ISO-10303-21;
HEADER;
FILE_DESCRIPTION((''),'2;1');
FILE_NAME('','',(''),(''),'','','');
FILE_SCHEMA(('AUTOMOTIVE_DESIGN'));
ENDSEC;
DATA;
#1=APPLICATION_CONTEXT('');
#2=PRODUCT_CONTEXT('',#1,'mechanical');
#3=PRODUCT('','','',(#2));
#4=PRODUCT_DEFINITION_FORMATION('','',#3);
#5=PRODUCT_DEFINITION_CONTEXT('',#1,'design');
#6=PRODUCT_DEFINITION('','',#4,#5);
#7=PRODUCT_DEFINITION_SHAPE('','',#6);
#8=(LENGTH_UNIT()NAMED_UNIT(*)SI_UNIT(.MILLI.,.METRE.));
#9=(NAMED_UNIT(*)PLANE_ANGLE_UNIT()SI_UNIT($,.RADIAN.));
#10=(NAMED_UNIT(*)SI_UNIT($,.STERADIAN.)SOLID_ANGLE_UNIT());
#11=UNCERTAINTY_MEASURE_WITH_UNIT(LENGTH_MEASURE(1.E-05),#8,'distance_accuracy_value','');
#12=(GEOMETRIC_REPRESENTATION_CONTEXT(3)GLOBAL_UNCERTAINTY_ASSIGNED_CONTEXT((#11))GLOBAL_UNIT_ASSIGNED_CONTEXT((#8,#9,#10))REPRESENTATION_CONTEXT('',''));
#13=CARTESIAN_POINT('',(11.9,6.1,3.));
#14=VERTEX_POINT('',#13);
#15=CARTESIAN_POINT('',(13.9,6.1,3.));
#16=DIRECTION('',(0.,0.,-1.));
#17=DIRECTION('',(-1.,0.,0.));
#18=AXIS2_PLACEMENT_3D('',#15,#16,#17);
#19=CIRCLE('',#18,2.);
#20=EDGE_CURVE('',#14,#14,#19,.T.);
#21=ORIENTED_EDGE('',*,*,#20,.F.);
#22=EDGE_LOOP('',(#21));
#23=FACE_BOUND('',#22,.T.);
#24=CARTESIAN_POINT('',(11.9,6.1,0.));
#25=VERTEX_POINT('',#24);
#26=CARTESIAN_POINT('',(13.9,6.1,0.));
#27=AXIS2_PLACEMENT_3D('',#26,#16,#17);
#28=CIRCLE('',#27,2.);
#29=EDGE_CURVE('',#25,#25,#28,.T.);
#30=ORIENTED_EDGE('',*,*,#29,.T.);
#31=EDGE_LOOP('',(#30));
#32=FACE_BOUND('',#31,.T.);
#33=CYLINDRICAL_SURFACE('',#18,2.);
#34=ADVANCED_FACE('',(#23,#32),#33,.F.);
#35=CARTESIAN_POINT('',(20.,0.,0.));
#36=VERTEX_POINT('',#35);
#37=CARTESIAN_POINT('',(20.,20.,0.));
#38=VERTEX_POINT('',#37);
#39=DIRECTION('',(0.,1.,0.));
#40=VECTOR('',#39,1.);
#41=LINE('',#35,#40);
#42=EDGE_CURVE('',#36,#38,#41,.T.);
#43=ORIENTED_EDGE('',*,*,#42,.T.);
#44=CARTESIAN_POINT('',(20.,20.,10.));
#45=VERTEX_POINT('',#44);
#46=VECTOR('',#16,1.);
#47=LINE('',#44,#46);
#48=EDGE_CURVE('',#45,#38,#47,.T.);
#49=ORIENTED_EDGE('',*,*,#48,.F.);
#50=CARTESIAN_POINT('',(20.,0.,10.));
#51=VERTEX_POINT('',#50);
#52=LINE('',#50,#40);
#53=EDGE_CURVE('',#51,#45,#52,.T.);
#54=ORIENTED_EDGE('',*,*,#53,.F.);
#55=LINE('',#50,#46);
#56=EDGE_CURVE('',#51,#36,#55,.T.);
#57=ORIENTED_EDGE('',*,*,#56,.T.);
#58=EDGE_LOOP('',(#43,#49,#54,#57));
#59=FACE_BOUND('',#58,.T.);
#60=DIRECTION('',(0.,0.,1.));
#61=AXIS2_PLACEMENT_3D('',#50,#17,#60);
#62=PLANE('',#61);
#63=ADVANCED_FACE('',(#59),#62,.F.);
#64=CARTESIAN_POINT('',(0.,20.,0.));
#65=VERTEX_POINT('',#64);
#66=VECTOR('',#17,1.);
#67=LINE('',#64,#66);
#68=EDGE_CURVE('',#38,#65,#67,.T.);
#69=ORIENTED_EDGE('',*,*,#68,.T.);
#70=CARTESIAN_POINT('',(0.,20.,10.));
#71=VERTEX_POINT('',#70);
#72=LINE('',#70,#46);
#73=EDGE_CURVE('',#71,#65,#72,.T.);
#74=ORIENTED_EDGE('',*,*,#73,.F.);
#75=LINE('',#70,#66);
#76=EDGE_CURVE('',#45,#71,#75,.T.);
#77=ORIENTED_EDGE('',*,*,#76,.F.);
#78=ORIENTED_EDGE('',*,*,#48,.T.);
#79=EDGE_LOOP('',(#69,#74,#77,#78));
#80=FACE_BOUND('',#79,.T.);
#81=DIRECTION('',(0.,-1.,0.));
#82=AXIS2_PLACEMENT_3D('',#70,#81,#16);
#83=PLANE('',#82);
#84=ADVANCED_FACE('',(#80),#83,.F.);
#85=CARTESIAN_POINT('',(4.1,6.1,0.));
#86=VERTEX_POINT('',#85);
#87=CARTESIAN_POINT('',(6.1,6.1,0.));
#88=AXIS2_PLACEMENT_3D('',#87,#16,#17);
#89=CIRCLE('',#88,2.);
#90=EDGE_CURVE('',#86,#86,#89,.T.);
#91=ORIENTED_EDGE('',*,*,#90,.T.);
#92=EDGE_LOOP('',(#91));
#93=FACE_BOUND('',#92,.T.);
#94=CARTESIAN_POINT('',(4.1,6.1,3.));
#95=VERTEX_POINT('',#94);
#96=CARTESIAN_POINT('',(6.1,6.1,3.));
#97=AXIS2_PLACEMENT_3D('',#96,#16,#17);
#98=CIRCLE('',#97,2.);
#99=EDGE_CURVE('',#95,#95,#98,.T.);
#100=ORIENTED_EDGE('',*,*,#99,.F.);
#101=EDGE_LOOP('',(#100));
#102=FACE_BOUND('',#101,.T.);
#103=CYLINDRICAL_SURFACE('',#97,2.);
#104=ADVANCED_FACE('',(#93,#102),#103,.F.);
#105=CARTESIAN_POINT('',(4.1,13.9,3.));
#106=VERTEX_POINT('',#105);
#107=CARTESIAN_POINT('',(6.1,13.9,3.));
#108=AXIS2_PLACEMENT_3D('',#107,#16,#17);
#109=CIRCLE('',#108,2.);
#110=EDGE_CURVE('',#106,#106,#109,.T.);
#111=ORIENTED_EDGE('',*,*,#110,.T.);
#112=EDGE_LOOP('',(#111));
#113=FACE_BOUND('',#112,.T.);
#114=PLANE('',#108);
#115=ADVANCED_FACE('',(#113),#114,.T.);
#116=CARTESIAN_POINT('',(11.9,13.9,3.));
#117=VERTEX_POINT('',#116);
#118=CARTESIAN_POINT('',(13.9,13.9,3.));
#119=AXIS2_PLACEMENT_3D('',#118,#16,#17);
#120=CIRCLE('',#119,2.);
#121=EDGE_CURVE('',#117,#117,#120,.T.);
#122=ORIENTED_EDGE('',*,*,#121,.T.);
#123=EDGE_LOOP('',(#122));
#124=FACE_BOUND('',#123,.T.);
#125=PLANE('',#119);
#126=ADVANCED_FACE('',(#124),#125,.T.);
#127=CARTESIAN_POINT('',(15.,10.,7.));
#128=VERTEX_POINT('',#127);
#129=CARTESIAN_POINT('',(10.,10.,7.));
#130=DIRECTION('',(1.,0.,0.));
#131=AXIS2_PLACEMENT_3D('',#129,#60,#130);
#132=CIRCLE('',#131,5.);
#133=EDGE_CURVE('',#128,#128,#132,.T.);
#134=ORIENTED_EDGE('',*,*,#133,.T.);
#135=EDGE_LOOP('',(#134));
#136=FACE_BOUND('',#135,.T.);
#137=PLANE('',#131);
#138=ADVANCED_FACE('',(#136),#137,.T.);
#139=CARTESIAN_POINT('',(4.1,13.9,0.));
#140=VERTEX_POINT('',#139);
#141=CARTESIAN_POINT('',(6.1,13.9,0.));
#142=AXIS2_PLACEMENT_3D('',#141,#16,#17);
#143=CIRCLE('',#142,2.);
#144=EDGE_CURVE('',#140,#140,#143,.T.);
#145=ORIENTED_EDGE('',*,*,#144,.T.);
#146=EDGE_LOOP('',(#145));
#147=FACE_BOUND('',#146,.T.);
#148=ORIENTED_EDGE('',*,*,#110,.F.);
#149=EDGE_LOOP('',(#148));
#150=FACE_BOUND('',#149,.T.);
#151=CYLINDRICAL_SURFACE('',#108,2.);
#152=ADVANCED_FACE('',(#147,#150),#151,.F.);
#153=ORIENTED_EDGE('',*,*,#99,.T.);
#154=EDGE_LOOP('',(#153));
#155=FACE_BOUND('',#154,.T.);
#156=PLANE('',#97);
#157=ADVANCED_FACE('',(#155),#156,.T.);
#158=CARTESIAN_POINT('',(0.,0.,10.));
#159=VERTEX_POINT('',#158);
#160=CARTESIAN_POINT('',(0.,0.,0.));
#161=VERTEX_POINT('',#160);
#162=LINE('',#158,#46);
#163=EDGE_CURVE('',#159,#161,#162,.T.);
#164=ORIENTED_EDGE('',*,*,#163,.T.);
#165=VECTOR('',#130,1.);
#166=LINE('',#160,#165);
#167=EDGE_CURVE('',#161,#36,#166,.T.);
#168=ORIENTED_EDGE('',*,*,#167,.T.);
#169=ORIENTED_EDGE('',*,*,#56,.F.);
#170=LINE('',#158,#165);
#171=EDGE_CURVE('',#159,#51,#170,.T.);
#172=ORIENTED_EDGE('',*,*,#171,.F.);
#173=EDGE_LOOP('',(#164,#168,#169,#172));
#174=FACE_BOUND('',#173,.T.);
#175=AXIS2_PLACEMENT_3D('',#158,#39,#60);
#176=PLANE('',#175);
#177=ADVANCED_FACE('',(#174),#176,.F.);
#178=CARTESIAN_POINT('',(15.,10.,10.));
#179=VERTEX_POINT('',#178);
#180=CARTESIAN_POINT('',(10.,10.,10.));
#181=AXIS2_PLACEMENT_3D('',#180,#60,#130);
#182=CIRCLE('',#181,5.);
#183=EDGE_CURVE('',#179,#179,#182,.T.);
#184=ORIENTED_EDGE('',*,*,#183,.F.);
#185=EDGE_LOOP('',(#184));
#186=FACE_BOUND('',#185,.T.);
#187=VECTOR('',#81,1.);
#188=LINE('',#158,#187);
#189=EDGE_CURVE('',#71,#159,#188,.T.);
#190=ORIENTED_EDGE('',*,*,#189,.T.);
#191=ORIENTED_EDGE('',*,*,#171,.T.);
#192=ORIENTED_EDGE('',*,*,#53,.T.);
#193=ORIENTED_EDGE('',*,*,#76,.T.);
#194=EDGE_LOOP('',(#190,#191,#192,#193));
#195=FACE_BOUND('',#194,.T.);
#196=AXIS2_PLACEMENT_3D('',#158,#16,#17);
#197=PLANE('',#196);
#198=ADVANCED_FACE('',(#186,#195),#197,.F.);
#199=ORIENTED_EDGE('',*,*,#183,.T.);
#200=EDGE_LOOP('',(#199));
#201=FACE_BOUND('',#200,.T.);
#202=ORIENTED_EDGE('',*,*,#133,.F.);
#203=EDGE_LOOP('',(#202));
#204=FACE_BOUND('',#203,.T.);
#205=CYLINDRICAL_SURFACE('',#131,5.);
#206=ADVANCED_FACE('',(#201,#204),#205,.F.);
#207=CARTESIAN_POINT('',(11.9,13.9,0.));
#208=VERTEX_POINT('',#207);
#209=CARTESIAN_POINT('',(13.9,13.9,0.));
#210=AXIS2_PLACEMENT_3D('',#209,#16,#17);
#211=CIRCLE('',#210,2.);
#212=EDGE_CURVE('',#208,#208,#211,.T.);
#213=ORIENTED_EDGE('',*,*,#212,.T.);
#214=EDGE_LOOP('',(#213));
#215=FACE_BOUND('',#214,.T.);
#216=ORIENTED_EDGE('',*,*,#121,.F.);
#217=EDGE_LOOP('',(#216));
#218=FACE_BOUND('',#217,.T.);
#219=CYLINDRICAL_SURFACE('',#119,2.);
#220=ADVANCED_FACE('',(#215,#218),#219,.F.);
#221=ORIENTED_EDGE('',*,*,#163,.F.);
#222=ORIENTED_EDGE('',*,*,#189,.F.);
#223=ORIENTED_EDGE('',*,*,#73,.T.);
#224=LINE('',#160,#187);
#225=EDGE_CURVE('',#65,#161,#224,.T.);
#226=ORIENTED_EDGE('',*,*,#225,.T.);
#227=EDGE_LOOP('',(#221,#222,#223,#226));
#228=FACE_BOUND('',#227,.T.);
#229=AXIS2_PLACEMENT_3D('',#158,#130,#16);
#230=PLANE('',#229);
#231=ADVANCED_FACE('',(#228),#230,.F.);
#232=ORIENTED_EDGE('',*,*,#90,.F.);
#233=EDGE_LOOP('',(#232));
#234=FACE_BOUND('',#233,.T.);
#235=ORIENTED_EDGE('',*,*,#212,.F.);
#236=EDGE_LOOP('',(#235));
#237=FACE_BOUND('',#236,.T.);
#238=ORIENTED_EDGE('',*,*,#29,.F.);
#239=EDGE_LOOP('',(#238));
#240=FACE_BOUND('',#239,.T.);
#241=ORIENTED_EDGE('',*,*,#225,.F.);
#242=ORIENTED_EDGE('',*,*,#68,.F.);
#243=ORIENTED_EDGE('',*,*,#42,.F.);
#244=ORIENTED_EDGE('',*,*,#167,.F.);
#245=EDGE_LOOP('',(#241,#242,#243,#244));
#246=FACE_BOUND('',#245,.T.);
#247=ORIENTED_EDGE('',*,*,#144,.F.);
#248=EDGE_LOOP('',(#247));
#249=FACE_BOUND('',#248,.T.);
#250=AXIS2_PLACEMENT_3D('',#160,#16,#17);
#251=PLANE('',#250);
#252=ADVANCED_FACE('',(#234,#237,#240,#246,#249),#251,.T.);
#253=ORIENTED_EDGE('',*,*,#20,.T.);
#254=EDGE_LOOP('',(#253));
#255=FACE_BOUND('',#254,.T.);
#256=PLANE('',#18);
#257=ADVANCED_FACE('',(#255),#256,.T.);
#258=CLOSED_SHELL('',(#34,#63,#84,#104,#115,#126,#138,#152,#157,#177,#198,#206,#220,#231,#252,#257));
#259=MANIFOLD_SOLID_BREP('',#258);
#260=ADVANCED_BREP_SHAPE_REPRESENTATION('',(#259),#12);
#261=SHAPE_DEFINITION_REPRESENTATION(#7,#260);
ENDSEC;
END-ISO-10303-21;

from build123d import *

# Parameters (mm, degrees)
SKETCH1_W           = 20
SKETCH1_H           = 20
BOSS_EXTRUDE1_DEPTH = 10
SKETCH2_R           = 5
CUT_EXTRUDE1_DEPTH  = 3
SKETCH3_R           = 2
CUT_EXTRUDE2_DEPTH  = 3


with BuildPart() as part:
    # Sketch1 → Boss-Extrude1 (new body)
    with BuildSketch(Plane.XY):
        with Locations((10, 10)):
            Rectangle(SKETCH1_W, SKETCH1_H)
    extrude(amount=BOSS_EXTRUDE1_DEPTH)

    # Sketch2 → Cut-Extrude1 (cut)
    with BuildSketch(Plane.XY.offset(10)):
        with Locations((10, 10)):
            Circle(SKETCH2_R)
    extrude(amount=-CUT_EXTRUDE1_DEPTH, mode=Mode.SUBTRACT)

    # Sketch3 → Cut-Extrude2 (cut)
    with BuildSketch(Plane(origin=(0, 0, 0), x_dir=(-1, 0, 0), z_dir=(0, 0, -1))):
        with Locations((-13.9, 13.9)):
            Circle(SKETCH3_R)
        with Locations((-6.1, 13.9)):
            Circle(SKETCH3_R)
        with Locations((-13.9, 6.1)):
            Circle(SKETCH3_R)
        with Locations((-6.1, 6.1)):
            Circle(SKETCH3_R)
    extrude(amount=-CUT_EXTRUDE2_DEPTH, mode=Mode.SUBTRACT)


solid = part.part
